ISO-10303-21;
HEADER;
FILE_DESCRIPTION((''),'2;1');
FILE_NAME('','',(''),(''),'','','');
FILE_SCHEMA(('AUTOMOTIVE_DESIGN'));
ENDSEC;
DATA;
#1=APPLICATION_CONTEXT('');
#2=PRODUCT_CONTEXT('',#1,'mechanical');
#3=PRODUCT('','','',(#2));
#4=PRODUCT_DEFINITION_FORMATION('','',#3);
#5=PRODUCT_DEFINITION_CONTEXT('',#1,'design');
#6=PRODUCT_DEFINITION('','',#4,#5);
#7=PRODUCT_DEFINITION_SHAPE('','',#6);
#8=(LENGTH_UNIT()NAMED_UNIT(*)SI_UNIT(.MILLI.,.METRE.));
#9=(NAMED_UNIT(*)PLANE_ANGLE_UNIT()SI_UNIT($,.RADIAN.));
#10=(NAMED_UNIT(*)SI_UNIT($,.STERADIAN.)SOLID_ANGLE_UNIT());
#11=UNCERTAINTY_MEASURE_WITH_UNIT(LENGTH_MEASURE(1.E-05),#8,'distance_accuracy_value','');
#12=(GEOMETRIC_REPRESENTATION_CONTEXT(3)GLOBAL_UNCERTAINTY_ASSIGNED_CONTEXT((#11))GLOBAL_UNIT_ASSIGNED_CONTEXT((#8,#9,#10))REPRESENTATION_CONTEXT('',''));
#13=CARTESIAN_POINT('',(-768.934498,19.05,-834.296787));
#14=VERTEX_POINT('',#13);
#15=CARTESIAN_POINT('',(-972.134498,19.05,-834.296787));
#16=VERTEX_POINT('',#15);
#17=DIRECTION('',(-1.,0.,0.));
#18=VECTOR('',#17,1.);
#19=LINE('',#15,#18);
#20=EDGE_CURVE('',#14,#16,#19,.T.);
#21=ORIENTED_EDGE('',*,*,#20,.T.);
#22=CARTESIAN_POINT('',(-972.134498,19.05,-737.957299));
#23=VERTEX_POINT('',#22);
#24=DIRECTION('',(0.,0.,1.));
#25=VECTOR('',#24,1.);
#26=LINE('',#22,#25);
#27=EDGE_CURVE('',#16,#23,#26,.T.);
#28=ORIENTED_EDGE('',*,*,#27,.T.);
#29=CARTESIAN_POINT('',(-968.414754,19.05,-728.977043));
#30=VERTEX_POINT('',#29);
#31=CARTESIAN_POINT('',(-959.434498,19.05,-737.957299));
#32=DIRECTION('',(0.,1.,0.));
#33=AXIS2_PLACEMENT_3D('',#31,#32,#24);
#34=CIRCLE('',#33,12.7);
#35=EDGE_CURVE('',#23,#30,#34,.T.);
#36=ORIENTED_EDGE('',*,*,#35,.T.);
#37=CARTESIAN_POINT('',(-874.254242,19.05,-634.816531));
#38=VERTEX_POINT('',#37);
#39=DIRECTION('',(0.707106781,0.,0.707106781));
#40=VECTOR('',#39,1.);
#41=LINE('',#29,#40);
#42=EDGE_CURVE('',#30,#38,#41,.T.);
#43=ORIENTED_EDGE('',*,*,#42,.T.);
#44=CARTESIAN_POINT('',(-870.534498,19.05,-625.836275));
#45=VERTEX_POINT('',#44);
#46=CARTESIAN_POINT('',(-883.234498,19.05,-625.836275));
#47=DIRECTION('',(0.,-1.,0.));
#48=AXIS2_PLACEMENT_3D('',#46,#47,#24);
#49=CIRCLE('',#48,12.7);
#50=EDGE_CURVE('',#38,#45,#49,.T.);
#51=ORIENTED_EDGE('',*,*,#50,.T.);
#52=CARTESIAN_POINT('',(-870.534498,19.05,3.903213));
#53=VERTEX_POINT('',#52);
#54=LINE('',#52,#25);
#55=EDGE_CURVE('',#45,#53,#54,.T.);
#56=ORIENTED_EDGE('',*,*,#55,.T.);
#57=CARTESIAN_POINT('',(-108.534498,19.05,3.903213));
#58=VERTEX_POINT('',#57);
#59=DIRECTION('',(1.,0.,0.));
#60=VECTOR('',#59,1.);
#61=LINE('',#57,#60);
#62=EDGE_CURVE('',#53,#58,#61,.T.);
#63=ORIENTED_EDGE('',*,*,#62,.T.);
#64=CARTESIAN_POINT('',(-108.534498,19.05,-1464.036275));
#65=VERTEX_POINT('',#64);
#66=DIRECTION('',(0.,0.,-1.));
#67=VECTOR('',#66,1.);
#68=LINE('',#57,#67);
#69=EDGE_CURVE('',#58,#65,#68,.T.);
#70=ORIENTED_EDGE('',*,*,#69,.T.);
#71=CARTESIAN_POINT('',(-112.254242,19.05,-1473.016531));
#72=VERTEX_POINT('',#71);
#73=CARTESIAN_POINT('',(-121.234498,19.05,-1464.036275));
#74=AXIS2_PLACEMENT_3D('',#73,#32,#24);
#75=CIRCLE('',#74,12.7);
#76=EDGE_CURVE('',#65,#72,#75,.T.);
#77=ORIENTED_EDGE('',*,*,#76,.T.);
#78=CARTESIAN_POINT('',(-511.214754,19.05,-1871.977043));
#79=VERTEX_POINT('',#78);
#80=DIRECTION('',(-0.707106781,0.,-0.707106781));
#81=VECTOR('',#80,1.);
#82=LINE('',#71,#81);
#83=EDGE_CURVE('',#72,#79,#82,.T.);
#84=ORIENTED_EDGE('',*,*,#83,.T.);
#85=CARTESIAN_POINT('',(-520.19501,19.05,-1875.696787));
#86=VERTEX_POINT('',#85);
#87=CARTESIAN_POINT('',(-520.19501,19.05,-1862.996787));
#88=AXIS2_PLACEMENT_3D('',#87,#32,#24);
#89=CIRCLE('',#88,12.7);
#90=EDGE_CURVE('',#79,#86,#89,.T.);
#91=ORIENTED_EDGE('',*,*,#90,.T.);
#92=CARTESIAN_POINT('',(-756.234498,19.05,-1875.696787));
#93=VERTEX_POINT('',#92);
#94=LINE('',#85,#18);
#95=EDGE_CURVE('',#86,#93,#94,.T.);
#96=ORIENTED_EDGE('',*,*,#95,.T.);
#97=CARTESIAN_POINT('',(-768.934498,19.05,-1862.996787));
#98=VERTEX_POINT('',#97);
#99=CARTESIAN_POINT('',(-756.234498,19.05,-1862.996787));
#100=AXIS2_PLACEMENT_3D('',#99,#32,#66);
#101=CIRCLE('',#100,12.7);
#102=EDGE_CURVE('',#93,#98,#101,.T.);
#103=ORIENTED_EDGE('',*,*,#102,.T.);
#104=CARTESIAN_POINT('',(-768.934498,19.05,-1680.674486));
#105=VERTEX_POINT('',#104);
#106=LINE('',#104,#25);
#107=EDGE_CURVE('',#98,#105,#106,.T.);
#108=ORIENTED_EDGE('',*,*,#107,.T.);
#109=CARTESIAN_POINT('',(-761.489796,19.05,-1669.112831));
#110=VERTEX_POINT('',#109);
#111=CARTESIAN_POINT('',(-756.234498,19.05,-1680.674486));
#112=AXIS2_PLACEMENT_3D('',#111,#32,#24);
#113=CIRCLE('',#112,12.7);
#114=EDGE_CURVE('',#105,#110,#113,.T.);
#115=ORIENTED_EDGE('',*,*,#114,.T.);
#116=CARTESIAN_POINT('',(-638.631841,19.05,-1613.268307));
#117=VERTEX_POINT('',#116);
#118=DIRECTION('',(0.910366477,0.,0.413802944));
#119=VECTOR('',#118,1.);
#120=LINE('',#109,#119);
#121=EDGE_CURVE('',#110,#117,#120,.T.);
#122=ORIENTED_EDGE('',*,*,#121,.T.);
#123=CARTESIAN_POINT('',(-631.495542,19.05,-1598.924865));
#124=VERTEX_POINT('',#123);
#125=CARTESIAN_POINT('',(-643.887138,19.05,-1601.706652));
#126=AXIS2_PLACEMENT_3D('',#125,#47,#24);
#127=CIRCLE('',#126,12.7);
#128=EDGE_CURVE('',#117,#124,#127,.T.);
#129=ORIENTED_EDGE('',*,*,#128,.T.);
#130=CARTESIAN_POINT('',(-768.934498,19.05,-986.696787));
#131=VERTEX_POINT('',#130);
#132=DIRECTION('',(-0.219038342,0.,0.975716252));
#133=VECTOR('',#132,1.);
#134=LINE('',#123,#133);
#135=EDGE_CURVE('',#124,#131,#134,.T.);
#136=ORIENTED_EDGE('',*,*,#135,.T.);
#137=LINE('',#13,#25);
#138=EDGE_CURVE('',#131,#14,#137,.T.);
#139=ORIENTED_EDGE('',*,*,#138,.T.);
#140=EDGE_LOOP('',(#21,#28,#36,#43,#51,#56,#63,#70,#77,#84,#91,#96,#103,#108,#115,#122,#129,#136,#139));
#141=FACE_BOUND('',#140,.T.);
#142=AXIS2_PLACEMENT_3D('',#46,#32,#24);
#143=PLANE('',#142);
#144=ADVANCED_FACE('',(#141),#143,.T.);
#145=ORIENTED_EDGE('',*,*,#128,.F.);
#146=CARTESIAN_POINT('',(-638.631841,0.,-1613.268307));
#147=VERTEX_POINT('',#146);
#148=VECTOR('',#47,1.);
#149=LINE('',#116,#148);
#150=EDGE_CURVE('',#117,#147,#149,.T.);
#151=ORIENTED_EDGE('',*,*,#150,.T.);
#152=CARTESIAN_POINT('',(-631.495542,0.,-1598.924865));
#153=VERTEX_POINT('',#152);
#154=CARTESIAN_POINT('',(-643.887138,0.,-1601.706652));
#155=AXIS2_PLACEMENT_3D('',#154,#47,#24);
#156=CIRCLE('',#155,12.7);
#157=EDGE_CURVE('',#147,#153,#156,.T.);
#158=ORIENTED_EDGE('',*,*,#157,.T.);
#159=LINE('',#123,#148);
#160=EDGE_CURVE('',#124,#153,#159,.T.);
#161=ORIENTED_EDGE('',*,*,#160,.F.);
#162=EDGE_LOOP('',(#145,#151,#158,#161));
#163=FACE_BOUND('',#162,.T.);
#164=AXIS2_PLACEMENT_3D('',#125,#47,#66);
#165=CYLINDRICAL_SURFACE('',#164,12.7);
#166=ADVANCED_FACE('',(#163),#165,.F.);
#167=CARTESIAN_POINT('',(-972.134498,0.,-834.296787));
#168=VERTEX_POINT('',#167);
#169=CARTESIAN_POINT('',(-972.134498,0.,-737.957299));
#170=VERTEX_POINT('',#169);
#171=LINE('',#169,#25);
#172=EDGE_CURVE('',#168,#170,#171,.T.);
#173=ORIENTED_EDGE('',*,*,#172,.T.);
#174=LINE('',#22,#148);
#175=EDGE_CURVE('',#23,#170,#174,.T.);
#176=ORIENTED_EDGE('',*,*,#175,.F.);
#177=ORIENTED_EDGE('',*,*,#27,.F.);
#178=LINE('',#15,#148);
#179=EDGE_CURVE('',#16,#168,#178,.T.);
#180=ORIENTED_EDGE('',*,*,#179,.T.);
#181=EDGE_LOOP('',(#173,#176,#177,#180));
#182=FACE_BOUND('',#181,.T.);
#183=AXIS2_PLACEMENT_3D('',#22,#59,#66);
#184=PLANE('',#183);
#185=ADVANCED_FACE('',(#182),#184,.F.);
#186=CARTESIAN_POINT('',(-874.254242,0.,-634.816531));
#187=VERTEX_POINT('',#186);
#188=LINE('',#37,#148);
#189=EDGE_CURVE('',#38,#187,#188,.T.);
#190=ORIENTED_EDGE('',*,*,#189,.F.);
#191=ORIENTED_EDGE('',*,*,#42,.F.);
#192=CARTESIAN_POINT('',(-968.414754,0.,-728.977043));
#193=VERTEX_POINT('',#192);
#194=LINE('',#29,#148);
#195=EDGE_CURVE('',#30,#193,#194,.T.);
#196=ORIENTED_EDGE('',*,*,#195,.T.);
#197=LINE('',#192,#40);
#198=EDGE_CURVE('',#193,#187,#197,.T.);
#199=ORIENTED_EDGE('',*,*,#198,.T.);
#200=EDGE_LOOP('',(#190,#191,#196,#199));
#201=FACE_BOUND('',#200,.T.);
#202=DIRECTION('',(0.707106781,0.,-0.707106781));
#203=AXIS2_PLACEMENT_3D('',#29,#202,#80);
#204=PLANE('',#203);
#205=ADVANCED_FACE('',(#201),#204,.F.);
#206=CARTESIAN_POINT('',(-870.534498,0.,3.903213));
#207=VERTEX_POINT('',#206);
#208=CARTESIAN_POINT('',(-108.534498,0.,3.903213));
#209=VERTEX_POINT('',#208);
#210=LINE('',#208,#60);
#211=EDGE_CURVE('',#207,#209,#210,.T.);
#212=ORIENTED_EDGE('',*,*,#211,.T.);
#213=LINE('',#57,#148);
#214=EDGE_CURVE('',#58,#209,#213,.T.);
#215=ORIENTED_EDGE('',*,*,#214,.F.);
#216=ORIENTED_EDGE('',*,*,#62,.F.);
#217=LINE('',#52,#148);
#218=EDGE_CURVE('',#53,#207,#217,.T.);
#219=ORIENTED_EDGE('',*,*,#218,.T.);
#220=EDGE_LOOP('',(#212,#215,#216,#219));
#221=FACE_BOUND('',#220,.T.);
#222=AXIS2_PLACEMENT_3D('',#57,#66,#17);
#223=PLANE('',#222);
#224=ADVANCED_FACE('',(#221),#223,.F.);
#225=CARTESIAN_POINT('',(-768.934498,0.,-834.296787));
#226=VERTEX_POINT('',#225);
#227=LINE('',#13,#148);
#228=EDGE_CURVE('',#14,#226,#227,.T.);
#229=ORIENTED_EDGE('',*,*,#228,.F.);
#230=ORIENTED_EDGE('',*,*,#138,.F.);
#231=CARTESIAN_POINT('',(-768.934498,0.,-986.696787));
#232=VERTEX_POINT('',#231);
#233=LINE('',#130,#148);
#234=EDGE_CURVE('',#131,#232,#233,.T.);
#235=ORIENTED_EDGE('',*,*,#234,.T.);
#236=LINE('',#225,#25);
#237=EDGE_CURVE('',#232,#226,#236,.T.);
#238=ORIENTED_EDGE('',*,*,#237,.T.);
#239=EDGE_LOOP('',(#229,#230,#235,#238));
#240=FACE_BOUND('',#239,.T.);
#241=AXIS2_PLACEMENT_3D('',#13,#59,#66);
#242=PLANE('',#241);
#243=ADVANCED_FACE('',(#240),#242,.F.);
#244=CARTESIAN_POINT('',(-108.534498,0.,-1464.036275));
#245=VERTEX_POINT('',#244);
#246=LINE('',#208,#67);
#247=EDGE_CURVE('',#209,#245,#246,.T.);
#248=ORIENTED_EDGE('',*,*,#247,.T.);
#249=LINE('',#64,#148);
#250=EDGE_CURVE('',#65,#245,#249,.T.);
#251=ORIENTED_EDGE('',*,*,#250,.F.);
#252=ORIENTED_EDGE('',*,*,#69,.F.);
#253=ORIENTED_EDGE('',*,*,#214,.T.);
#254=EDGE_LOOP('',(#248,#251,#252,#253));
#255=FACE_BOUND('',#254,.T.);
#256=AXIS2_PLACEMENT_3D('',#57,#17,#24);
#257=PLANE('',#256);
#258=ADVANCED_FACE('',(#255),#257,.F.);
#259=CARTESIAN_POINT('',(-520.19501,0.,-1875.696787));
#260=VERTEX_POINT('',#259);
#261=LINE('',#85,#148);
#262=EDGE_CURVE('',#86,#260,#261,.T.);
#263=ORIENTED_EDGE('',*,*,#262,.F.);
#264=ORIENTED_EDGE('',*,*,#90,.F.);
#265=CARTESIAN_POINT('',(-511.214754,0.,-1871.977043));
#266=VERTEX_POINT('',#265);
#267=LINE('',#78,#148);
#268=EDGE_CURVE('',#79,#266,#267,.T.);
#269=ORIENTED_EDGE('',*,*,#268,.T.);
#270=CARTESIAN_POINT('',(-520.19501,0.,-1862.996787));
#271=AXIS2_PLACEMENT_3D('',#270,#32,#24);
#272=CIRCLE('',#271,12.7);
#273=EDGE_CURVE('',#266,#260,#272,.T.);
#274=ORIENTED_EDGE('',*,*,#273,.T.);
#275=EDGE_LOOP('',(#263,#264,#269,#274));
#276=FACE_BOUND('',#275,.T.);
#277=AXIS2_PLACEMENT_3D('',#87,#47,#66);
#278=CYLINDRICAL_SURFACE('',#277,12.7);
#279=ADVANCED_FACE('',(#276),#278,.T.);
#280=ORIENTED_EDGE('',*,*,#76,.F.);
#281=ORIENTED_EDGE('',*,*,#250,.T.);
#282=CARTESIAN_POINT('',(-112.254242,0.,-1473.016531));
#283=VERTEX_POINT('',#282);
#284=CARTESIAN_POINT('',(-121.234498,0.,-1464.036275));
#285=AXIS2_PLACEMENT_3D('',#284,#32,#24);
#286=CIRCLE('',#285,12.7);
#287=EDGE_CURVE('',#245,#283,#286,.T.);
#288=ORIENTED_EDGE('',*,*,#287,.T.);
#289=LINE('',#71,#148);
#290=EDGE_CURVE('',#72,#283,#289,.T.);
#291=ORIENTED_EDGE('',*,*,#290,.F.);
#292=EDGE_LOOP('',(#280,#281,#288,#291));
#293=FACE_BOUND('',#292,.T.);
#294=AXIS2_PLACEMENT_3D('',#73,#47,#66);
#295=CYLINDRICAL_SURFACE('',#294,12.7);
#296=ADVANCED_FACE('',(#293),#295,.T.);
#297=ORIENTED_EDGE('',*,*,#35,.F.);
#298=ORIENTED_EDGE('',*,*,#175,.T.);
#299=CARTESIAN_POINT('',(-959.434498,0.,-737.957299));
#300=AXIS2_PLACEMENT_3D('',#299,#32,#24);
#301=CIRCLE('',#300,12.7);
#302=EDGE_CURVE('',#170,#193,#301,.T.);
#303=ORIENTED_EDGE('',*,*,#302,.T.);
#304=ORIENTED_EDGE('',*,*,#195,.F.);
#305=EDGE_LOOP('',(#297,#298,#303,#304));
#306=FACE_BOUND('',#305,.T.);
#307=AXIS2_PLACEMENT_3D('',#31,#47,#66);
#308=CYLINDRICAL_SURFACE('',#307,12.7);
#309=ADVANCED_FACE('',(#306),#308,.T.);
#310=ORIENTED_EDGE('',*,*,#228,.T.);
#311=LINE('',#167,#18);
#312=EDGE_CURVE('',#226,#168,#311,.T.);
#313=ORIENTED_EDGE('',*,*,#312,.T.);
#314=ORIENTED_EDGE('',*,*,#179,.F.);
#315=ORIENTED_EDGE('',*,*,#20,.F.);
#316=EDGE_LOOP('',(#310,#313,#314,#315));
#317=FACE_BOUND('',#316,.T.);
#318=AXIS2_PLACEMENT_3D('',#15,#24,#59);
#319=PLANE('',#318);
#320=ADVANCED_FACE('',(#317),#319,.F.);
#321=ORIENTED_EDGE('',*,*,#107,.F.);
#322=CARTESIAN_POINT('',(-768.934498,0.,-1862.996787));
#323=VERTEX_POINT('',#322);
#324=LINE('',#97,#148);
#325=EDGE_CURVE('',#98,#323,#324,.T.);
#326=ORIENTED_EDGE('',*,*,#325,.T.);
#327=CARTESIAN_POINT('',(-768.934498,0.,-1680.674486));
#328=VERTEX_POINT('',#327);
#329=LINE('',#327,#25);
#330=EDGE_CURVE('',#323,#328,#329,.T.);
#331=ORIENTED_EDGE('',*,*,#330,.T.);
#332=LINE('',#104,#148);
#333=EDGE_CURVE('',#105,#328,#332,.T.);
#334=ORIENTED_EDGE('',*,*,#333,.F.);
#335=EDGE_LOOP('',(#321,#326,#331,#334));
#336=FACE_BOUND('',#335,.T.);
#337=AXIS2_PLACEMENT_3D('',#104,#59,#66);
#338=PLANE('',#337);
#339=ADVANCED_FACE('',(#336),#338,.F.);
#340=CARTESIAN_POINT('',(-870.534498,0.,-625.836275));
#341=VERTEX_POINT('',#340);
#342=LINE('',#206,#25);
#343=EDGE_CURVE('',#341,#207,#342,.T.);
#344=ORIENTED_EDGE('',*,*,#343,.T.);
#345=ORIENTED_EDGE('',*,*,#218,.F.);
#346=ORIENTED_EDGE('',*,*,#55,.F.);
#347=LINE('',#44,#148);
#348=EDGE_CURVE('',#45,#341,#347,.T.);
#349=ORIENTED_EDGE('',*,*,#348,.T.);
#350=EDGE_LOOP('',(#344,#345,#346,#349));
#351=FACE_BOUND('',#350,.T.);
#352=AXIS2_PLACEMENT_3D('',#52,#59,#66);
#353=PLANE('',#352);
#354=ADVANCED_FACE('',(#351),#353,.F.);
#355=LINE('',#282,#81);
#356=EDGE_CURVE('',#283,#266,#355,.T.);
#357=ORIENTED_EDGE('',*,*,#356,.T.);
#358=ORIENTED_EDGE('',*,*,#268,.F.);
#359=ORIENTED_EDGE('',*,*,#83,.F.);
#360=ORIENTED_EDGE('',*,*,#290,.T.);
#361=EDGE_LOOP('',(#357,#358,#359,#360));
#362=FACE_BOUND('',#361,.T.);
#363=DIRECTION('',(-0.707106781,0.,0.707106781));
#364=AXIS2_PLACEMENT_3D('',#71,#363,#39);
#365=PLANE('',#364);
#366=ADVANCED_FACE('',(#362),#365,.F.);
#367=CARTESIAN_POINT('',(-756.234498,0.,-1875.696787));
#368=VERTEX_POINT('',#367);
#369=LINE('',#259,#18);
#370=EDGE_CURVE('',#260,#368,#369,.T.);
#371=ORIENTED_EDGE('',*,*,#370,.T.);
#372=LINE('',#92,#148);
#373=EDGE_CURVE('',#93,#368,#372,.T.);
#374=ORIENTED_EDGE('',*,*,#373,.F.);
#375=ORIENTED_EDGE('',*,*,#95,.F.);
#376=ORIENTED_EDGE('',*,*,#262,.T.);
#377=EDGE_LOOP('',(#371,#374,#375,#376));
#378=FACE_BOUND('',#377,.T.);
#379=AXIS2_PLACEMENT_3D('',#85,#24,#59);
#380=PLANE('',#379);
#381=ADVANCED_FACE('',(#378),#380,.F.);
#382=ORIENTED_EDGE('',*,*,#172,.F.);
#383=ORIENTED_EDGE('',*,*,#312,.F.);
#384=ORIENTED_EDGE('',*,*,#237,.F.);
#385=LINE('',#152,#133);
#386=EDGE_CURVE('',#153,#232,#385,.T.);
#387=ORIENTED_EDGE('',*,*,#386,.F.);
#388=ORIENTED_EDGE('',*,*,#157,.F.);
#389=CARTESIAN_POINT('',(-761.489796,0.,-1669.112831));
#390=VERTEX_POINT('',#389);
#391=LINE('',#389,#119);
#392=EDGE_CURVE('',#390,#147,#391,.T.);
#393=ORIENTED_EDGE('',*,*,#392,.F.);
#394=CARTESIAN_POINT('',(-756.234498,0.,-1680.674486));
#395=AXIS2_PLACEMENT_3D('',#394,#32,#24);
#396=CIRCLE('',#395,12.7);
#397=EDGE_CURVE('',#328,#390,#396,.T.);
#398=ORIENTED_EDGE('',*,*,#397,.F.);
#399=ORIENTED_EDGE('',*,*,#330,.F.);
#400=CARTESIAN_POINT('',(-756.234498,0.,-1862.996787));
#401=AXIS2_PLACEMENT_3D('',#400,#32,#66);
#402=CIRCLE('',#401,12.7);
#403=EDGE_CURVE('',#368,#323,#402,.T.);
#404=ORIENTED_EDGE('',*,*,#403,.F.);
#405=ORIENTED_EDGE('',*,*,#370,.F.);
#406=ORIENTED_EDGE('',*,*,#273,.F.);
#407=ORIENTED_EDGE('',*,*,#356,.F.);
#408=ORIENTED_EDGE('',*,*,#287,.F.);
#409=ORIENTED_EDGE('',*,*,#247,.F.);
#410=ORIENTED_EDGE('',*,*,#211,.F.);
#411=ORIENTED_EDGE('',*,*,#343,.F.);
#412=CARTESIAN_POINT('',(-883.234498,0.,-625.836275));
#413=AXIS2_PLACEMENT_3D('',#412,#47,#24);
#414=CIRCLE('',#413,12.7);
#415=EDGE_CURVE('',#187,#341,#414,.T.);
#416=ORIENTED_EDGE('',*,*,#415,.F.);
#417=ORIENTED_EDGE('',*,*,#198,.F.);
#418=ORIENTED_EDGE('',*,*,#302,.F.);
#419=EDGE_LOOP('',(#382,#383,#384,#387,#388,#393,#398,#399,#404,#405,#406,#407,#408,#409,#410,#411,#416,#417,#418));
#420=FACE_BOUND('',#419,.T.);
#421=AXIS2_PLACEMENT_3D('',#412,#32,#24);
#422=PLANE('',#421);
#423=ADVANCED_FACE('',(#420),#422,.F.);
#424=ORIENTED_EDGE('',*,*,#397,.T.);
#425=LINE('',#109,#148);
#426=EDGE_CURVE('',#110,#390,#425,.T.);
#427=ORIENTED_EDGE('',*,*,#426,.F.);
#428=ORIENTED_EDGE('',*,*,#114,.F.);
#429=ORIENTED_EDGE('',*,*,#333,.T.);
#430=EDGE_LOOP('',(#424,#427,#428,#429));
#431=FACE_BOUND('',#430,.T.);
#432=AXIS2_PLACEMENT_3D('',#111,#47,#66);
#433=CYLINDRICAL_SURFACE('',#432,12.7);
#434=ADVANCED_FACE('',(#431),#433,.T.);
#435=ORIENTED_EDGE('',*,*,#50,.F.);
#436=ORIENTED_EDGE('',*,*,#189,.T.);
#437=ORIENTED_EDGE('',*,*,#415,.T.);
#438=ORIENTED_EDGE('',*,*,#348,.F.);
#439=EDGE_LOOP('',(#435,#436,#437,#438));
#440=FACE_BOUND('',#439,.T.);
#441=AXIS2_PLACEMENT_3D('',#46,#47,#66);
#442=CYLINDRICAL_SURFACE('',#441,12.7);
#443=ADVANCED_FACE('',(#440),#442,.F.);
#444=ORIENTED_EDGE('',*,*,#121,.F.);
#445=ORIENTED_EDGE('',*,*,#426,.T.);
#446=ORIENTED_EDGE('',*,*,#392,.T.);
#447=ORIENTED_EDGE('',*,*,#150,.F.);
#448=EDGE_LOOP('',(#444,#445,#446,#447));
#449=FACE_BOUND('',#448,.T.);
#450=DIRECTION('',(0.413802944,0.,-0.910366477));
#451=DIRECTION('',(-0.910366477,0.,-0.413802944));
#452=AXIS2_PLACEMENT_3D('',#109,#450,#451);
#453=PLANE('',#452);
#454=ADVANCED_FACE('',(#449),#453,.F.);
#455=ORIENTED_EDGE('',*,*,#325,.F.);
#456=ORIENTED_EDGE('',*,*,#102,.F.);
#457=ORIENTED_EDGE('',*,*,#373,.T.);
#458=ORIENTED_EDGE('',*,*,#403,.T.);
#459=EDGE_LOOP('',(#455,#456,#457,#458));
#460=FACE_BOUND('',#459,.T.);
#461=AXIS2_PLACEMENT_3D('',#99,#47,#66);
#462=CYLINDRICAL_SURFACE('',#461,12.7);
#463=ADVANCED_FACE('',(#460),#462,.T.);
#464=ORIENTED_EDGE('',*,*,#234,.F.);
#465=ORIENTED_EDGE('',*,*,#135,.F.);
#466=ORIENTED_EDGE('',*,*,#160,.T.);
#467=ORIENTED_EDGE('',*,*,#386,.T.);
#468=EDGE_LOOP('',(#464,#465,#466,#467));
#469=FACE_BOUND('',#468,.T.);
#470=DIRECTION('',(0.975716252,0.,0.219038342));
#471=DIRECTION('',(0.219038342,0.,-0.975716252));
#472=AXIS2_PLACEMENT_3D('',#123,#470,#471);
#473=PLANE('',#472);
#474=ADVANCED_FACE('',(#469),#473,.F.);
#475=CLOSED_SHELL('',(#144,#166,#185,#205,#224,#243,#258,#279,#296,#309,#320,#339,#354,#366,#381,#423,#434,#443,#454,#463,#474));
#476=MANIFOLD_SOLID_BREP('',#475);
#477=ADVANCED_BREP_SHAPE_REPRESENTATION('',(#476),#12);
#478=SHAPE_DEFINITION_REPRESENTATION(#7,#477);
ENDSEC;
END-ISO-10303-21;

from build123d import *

# Parameters (mm, degrees)
BOSS_EXTRUDE1_DEPTH = 19.05


with BuildPart() as part:
    # Sketch1 → Boss-Extrude1 (new body)
    with BuildSketch(Plane(origin=(0, 0, 0), x_dir=(1, 0, 0), z_dir=(0, 1, 0))):
        with BuildLine():
            Line((-108.53449825, -3.903212814), (-108.53449825, 1464.036274944))
            ThreePointArc((-108.53449825, 1464.036274944), (-109.501228187, 1468.896354535), (-112.254242128, 1473.016531065))
            Line((-112.254242128, 1473.016531065), (-511.214754371, 1871.977043307))
            ThreePointArc((-511.214754371, 1871.977043307), (-515.334930901, 1874.730057249), (-520.195010492, 1875.696787186))
            Line((-520.195010492, 1875.696787186), (-756.23449825, 1875.696787186))
            ThreePointArc((-756.23449825, 1875.696787186), (-765.214754371, 1871.977043307), (-768.93449825, 1862.996787186))
            Line((-768.93449825, 1862.996787186), (-768.93449825, 1680.674485719))
            ThreePointArc((-768.93449825, 1680.674485719), (-766.912332227, 1673.798886723), (-761.489795642, 1669.112831455))
            Line((-761.489795642, 1669.112831455), (-638.63184093, 1613.268306586))
            ThreePointArc((-638.63184093, 1613.268306586), (-632.516703345, 1607.363790151), (-631.495541921, 1598.924865375))
            Line((-631.495541921, 1598.924865375), (-768.93449825, 986.696787186))
            Line((-768.93449825, 986.696787186), (-768.93449825, 834.296787186))
            Line((-768.93449825, 834.296787186), (-972.13449825, 834.296787186))
            Line((-972.13449825, 834.296787186), (-972.13449825, 737.957299428))
            ThreePointArc((-972.13449825, 737.957299428), (-971.167768312, 733.097219837), (-968.414754371, 728.977043307))
            Line((-968.414754371, 728.977043307), (-874.254242128, 634.816531065))
            ThreePointArc((-874.254242128, 634.816531065), (-871.501228187, 630.696354535), (-870.53449825, 625.836274944))
            Line((-870.53449825, 625.836274944), (-870.53449825, -3.903212814))
            Line((-870.53449825, -3.903212814), (-108.53449825, -3.903212814))
        make_face()
    extrude(amount=BOSS_EXTRUDE1_DEPTH)


solid = part.part
